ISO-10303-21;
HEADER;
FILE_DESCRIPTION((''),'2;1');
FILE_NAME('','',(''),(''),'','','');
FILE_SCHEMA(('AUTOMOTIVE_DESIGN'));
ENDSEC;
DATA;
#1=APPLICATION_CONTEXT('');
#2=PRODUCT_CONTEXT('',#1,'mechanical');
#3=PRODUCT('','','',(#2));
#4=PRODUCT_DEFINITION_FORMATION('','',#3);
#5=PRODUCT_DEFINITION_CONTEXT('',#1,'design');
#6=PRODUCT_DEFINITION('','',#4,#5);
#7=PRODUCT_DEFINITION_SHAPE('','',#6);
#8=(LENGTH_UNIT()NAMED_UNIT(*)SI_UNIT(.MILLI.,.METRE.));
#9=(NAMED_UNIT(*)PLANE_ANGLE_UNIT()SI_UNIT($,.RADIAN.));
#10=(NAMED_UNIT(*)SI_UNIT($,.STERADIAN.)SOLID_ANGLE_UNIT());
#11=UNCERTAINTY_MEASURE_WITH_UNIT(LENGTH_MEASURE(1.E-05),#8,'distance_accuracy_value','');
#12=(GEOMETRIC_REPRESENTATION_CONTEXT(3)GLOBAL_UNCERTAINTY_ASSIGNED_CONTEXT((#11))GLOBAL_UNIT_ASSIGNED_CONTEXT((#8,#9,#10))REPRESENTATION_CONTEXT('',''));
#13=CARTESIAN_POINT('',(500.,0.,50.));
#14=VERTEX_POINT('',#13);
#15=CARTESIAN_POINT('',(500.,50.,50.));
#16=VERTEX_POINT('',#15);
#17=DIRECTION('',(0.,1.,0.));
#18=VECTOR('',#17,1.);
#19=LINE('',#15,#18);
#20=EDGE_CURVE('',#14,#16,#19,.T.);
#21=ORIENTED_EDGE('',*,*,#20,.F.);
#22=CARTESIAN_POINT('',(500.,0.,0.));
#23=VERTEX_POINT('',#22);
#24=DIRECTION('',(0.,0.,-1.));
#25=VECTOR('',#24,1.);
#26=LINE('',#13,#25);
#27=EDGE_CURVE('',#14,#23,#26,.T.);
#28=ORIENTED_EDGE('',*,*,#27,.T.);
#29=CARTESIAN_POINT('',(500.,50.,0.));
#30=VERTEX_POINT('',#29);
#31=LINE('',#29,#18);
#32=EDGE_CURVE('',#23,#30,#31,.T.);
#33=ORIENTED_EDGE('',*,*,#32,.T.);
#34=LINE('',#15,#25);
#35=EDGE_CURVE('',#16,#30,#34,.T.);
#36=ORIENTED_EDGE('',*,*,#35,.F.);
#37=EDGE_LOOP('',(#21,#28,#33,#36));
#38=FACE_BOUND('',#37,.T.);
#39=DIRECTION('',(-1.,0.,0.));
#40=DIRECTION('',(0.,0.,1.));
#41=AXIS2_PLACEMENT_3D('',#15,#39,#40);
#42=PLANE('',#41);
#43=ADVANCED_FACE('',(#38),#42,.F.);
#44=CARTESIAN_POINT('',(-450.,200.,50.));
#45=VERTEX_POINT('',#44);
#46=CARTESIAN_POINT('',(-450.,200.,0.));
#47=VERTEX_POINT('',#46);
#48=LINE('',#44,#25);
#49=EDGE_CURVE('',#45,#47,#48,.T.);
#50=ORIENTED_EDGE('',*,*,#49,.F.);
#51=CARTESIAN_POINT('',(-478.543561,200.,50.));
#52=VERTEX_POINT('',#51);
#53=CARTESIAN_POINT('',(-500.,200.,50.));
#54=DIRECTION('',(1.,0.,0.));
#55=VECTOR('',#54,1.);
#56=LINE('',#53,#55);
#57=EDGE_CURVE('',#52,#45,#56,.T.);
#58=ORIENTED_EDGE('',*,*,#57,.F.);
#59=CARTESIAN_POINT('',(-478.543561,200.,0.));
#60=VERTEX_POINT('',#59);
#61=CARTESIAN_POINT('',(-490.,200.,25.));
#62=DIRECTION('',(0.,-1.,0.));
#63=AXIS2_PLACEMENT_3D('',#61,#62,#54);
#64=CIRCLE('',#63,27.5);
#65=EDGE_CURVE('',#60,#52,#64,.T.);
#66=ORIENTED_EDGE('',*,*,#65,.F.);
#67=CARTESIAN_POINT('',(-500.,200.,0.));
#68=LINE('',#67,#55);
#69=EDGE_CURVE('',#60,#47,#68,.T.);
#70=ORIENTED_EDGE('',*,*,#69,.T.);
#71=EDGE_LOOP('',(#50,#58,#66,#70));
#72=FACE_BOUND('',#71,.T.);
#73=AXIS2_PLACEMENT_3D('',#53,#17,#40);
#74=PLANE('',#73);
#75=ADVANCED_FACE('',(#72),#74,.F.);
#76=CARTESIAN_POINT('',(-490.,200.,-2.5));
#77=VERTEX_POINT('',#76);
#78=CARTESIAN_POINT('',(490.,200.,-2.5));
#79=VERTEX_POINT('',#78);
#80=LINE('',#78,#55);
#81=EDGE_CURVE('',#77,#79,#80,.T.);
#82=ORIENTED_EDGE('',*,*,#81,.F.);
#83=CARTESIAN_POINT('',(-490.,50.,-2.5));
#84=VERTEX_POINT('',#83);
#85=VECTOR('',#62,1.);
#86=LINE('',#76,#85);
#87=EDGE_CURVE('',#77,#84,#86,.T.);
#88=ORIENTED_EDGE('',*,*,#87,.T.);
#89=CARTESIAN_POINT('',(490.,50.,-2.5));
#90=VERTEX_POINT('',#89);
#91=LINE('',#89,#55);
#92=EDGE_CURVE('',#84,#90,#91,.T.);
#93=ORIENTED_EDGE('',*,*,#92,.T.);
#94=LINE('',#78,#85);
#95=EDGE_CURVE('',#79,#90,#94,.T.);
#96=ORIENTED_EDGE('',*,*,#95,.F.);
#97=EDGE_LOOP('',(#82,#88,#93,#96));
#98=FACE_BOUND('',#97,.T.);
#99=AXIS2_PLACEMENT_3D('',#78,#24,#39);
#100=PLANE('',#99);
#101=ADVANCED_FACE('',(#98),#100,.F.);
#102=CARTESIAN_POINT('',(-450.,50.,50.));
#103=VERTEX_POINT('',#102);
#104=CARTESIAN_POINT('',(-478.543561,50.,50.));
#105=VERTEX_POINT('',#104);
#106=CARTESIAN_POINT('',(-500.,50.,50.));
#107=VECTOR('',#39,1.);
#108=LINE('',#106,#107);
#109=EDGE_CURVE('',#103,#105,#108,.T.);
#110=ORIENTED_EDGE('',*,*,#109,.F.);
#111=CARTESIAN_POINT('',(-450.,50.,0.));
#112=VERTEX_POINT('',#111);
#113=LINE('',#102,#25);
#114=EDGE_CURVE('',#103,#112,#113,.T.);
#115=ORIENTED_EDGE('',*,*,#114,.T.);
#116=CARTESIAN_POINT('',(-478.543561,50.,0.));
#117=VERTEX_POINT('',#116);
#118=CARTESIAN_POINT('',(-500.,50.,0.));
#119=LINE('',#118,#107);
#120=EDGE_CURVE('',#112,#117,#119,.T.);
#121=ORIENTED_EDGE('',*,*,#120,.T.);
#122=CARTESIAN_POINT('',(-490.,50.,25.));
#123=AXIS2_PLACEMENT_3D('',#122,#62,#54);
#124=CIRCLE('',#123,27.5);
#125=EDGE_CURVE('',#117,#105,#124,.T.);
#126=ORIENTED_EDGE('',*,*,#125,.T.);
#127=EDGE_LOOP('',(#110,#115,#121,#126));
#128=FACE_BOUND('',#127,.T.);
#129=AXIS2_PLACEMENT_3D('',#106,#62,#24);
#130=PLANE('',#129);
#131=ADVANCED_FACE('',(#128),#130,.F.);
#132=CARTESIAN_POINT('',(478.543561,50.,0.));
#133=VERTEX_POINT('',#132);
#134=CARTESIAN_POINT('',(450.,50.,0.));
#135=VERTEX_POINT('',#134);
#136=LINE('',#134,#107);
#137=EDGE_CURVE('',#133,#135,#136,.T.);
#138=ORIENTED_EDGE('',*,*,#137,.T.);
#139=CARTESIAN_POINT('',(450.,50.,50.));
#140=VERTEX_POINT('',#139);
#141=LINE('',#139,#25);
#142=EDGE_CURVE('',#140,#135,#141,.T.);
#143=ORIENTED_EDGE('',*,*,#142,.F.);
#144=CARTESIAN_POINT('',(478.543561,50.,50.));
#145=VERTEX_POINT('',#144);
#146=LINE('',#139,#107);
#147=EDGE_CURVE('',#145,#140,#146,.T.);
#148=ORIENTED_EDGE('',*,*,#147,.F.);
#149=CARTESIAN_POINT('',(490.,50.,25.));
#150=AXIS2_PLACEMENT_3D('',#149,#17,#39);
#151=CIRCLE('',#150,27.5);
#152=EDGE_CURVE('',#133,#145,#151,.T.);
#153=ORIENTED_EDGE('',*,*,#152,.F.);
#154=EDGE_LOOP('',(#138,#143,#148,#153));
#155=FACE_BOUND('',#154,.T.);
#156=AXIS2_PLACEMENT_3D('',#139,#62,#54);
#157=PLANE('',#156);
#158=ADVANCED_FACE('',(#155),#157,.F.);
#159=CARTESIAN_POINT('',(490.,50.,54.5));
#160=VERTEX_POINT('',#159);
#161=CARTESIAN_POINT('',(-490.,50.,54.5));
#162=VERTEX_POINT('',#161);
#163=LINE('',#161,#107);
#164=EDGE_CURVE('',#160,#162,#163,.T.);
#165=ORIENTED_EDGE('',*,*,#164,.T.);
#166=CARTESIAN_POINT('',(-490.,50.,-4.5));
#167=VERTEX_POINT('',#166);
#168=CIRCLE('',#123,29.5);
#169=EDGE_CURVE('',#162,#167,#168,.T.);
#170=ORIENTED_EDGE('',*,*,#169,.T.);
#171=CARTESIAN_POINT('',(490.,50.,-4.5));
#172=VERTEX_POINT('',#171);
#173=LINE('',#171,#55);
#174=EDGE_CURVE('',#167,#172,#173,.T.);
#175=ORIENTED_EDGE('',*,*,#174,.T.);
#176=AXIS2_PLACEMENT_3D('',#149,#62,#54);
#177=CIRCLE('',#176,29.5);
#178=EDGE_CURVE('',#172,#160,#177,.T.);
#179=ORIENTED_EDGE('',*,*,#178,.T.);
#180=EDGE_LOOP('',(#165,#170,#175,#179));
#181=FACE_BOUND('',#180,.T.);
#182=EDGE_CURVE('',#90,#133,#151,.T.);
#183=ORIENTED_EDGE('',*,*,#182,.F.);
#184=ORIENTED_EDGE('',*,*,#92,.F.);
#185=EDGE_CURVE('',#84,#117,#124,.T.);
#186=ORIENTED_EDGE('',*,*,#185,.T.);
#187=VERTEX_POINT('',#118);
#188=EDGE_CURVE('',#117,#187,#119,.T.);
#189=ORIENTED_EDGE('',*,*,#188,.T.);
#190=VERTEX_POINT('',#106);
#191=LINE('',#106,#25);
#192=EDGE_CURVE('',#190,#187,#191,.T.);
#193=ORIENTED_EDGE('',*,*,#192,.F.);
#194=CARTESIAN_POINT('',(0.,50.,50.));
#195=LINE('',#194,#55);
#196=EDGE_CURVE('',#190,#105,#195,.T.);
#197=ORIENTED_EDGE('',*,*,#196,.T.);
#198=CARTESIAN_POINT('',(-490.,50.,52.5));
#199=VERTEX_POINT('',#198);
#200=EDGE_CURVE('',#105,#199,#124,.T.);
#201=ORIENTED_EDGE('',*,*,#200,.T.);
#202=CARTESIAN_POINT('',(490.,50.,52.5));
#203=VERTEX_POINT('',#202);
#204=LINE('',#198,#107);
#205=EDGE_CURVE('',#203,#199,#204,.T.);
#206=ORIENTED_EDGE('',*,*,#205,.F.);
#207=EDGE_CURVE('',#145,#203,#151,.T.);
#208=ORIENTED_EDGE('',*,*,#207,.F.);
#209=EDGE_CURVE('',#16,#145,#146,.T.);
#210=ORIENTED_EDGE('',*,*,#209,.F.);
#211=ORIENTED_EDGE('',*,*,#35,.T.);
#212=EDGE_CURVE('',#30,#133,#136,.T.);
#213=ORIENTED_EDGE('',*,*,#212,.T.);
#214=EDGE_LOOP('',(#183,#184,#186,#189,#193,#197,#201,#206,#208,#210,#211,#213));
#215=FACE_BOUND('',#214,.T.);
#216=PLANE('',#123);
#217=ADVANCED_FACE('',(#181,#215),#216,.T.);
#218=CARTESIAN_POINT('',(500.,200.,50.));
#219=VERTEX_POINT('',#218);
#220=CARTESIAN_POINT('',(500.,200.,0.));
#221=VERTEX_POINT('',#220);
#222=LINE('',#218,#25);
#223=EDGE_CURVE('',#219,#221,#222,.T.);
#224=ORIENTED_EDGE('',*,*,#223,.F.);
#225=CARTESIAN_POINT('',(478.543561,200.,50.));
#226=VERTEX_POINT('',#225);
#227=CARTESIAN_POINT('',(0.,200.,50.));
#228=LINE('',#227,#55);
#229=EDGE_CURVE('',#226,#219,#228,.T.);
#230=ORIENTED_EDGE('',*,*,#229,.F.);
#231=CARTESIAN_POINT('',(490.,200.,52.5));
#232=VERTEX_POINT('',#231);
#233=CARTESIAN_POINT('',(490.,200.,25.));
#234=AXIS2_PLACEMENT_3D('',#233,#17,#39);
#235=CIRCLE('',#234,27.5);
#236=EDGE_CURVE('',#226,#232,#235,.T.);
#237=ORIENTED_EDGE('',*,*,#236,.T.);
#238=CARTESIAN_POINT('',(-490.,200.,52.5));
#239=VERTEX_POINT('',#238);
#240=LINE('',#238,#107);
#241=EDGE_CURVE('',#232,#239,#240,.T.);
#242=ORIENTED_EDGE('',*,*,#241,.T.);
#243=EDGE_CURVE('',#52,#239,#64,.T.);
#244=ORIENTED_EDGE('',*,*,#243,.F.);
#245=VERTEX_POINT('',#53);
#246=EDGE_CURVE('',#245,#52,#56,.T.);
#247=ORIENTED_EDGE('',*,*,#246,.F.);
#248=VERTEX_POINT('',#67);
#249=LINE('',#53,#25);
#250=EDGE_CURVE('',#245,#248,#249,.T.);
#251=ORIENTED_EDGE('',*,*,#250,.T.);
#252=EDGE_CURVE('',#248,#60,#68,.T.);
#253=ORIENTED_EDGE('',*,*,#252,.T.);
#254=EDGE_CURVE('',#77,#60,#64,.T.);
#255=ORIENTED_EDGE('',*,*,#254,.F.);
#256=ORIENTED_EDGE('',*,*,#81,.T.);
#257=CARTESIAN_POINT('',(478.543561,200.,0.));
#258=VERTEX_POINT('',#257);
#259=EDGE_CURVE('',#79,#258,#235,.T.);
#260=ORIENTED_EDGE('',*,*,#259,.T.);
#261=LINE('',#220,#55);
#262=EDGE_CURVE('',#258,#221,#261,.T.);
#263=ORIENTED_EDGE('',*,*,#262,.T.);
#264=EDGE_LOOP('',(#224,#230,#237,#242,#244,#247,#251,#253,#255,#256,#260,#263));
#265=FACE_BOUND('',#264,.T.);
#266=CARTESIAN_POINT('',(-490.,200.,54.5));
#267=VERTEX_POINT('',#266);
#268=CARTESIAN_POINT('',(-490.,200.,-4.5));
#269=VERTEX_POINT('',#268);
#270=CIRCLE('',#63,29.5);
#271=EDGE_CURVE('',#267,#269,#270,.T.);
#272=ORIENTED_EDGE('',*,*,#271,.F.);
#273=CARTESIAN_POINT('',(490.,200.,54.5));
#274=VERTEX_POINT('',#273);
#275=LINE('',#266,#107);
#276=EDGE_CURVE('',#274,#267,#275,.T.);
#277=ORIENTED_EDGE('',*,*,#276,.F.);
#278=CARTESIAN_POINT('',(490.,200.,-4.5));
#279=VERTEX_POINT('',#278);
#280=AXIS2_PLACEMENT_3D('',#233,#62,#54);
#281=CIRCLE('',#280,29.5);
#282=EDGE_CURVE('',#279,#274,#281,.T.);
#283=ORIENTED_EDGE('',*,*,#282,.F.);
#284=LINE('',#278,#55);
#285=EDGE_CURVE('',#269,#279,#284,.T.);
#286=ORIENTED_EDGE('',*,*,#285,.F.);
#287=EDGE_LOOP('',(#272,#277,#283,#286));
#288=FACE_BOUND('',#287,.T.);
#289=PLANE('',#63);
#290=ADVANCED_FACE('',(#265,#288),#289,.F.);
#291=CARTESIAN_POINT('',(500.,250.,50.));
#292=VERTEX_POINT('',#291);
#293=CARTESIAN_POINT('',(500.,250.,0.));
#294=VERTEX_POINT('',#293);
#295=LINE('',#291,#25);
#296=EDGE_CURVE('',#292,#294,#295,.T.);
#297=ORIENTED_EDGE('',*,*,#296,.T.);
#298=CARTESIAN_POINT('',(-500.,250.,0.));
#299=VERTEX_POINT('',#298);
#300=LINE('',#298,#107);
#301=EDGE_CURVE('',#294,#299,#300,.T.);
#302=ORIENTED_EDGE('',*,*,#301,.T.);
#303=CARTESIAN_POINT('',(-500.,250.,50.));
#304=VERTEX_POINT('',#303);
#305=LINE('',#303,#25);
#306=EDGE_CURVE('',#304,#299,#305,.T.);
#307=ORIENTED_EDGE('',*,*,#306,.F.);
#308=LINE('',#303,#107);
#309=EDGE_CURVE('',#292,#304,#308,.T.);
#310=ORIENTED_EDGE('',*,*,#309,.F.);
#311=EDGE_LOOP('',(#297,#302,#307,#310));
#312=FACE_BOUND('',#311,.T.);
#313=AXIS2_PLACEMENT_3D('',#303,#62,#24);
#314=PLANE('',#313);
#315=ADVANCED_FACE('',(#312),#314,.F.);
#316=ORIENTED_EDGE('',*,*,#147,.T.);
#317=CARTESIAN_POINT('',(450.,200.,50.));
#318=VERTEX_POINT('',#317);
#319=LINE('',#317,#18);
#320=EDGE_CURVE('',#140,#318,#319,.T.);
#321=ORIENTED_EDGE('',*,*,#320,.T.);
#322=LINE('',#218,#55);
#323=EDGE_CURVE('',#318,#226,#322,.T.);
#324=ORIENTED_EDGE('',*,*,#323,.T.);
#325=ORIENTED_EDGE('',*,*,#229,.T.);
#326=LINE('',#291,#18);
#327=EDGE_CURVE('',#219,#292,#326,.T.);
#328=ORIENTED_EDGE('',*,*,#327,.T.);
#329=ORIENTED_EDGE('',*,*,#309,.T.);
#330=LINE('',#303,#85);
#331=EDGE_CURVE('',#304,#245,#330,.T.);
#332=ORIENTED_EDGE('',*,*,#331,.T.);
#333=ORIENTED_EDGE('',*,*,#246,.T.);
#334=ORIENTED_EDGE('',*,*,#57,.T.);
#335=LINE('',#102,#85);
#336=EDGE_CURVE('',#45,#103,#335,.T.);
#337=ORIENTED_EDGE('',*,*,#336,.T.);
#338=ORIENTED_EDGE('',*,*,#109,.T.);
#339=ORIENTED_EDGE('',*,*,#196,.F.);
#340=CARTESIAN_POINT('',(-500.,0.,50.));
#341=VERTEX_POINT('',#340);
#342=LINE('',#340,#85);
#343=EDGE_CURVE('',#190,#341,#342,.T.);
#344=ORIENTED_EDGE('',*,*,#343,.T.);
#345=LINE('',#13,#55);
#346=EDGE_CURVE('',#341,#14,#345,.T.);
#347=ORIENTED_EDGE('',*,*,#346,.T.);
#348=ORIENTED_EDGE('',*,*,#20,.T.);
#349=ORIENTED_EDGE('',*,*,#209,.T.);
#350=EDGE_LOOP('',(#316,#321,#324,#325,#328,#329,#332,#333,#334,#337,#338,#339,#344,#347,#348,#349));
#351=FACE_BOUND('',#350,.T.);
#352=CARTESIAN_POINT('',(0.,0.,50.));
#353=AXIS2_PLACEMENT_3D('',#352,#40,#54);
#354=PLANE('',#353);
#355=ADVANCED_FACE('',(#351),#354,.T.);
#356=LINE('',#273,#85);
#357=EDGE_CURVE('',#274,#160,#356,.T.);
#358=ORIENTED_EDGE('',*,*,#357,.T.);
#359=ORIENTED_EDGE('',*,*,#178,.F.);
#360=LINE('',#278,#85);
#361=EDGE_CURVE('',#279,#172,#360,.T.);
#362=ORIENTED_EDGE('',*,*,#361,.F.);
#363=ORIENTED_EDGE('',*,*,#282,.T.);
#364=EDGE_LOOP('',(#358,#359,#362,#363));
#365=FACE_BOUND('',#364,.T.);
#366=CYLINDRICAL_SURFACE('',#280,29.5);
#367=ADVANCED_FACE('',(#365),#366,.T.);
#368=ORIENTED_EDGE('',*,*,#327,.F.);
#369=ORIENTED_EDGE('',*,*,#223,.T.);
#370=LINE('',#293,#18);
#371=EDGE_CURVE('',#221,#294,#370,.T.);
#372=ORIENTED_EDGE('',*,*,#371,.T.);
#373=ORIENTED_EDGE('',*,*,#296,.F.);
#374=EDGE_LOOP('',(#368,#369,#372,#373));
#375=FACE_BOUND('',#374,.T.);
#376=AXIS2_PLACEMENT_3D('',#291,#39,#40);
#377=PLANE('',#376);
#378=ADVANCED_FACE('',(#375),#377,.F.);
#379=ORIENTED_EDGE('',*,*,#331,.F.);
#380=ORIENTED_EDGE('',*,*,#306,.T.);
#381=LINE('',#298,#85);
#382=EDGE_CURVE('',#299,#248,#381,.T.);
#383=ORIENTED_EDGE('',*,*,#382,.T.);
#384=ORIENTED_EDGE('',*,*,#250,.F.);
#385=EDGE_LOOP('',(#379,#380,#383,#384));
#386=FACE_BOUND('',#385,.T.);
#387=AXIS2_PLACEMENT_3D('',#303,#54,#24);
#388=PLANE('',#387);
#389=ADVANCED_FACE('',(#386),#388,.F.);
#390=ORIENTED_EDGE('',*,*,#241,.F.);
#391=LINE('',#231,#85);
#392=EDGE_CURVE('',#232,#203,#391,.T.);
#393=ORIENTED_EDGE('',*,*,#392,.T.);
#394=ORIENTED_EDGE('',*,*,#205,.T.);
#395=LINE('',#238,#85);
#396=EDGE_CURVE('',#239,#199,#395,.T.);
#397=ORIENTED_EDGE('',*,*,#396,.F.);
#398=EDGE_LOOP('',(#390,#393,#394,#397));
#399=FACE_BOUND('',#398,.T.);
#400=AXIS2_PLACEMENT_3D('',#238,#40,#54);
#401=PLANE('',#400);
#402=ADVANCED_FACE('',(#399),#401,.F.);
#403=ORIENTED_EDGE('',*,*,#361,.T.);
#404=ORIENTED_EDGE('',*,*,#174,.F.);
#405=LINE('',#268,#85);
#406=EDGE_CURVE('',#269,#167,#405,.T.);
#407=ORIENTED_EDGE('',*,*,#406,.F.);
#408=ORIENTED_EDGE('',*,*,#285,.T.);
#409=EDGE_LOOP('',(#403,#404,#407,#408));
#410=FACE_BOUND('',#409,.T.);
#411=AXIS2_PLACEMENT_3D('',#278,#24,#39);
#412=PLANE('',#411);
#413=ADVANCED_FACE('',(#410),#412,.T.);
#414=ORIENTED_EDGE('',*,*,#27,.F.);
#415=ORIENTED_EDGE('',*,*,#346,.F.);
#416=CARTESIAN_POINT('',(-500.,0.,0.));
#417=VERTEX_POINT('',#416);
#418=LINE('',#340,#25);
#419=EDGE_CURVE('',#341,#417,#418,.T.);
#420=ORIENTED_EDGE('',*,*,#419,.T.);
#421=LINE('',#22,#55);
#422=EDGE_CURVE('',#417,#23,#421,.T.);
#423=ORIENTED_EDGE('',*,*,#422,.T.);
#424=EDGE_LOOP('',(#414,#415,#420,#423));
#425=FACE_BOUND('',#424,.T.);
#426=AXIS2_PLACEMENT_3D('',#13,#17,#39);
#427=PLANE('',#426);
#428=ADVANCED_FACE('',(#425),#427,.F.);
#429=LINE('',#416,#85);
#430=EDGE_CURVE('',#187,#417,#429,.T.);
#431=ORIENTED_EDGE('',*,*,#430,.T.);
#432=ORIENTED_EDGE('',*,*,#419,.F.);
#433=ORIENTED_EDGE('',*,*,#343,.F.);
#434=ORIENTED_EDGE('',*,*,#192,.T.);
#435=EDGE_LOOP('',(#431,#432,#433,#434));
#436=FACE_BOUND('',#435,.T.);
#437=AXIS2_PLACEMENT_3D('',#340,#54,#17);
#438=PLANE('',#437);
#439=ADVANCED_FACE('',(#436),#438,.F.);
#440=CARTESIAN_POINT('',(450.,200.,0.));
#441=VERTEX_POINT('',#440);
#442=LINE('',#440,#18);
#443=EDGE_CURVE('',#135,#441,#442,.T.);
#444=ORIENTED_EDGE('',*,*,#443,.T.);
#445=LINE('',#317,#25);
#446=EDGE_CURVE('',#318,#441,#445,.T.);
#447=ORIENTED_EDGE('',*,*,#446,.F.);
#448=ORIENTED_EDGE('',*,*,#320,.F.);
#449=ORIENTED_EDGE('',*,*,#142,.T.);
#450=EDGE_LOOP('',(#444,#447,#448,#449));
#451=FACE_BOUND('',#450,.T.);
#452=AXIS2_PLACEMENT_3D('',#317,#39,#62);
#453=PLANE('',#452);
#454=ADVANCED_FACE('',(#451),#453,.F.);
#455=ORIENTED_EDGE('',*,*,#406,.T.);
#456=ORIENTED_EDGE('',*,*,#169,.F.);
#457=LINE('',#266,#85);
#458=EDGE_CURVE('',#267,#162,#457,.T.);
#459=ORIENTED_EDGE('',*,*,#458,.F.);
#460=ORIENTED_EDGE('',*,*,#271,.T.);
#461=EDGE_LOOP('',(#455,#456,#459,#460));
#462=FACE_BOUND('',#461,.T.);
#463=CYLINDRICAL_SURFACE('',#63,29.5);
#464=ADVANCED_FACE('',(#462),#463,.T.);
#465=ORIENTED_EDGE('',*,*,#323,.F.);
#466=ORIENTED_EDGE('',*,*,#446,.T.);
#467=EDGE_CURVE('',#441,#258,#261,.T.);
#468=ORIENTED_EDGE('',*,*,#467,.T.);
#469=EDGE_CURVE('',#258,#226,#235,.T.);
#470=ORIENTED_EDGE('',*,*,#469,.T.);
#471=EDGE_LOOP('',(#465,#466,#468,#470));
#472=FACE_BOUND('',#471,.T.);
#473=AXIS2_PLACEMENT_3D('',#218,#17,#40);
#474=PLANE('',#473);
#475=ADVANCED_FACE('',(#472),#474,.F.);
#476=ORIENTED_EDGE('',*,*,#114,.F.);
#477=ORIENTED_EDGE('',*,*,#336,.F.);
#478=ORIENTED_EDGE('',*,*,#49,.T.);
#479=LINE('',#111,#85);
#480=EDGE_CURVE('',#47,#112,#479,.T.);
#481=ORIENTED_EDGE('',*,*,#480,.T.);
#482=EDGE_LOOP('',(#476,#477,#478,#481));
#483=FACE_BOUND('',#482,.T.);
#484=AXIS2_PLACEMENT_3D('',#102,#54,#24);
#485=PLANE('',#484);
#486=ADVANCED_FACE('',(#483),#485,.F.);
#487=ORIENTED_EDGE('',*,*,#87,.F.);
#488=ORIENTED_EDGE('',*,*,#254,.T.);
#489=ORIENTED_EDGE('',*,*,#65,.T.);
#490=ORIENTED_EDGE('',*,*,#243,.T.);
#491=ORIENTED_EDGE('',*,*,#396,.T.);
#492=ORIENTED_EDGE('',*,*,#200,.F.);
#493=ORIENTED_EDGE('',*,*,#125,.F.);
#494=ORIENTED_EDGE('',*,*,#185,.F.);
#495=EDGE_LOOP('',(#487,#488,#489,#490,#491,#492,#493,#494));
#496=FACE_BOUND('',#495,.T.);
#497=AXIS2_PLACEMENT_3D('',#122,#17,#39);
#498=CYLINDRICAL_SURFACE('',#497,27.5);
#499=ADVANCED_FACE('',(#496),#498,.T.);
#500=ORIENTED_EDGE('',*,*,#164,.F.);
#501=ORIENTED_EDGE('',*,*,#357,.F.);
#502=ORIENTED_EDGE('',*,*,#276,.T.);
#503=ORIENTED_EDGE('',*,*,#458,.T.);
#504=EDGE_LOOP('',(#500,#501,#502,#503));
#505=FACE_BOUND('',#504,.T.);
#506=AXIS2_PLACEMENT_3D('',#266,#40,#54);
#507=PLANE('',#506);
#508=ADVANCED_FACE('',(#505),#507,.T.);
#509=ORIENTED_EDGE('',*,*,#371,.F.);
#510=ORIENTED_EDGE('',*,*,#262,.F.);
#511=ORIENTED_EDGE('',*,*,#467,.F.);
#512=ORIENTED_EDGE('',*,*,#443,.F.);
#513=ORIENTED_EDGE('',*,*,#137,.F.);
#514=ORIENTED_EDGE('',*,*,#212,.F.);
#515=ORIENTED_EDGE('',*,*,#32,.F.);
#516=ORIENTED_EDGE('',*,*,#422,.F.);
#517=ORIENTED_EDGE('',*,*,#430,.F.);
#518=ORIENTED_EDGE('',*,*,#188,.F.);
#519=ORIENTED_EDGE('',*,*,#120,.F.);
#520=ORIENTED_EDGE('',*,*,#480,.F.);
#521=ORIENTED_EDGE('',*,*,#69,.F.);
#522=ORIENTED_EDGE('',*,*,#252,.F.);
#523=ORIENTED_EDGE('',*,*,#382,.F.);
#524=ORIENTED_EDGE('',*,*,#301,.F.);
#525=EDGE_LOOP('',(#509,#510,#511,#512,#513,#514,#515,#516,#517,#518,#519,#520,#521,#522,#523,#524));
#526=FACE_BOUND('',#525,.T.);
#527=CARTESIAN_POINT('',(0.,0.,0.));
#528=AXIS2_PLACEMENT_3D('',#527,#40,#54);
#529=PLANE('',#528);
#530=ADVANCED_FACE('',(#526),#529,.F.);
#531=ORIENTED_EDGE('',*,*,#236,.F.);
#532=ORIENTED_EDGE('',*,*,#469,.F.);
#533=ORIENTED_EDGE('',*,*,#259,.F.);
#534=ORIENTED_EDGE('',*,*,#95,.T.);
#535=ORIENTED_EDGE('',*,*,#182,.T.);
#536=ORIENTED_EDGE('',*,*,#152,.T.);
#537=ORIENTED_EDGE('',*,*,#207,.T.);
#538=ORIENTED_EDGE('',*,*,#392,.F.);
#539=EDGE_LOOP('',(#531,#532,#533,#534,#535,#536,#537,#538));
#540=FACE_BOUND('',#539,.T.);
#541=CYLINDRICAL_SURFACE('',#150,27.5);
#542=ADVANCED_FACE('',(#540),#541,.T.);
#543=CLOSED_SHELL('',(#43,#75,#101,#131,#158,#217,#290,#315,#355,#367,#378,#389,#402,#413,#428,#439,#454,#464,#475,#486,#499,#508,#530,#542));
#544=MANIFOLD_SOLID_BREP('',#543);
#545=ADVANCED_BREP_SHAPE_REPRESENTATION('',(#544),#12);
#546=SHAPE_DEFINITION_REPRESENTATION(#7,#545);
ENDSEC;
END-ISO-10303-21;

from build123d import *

# Parameters (mm, degrees)
BOSS_EXTRUDE2_DEPTH = 50
SKETCH2_R           = 27.5
BOSS_EXTRUDE3_DEPTH = 150
BOSS_EXTRUDE4_START = -150
BOSS_EXTRUDE4_DEPTH = 150


with BuildPart() as part:
    # Sketch1 → Boss-Extrude2 (new body)
    with BuildSketch(Plane.XY):
        Polygon((-500, 250), (500, 250), (500, 200), (450, 200), (450, 50), (500, 50), (500, 0), (-500, 0), (-500, 50), (-450, 50), (-450, 200), (-500, 200), align=None)
    extrude(amount=BOSS_EXTRUDE2_DEPTH)

    # Sketch2 → Boss-Extrude3 (add)
    with BuildSketch(Plane.XZ.offset(-200)):
        with Locations(Location((-490, 25, 0), (0, 0, 65.380022671))):
            Circle(SKETCH2_R)
    boss_extrude3 = extrude(amount=BOSS_EXTRUDE3_DEPTH)

    # Mirror1: Boss-Extrude3 across plane
    add(boss_extrude3.mirror(Plane(origin=(0, 0, 0), x_dir=(0, 0, 1), z_dir=(1, 0, 0))))

    # Sketch3 → Boss-Extrude4 (add)
    with BuildSketch(Plane.XZ.offset(-50).offset(BOSS_EXTRUDE4_START)):
        with BuildLine():
            Line((-490, 54.5), (490, 54.5))
            ThreePointArc((490, 54.5), (519.5, 25), (490, -4.5))
            Line((490, -4.5), (-490, -4.5))
            ThreePointArc((-490, -4.5), (-519.5, 25), (-490, 54.5))
        make_face()
        with BuildLine():
            Line((-490, 52.5), (490, 52.5))
            ThreePointArc((490, 52.5), (517.5, 25), (490, -2.5))
            Line((490, -2.5), (-490, -2.5))
            ThreePointArc((-490, -2.5), (-517.5, 25), (-490, 52.5))
        make_face(mode=Mode.SUBTRACT)
    extrude(amount=BOSS_EXTRUDE4_DEPTH)


solid = part.part
